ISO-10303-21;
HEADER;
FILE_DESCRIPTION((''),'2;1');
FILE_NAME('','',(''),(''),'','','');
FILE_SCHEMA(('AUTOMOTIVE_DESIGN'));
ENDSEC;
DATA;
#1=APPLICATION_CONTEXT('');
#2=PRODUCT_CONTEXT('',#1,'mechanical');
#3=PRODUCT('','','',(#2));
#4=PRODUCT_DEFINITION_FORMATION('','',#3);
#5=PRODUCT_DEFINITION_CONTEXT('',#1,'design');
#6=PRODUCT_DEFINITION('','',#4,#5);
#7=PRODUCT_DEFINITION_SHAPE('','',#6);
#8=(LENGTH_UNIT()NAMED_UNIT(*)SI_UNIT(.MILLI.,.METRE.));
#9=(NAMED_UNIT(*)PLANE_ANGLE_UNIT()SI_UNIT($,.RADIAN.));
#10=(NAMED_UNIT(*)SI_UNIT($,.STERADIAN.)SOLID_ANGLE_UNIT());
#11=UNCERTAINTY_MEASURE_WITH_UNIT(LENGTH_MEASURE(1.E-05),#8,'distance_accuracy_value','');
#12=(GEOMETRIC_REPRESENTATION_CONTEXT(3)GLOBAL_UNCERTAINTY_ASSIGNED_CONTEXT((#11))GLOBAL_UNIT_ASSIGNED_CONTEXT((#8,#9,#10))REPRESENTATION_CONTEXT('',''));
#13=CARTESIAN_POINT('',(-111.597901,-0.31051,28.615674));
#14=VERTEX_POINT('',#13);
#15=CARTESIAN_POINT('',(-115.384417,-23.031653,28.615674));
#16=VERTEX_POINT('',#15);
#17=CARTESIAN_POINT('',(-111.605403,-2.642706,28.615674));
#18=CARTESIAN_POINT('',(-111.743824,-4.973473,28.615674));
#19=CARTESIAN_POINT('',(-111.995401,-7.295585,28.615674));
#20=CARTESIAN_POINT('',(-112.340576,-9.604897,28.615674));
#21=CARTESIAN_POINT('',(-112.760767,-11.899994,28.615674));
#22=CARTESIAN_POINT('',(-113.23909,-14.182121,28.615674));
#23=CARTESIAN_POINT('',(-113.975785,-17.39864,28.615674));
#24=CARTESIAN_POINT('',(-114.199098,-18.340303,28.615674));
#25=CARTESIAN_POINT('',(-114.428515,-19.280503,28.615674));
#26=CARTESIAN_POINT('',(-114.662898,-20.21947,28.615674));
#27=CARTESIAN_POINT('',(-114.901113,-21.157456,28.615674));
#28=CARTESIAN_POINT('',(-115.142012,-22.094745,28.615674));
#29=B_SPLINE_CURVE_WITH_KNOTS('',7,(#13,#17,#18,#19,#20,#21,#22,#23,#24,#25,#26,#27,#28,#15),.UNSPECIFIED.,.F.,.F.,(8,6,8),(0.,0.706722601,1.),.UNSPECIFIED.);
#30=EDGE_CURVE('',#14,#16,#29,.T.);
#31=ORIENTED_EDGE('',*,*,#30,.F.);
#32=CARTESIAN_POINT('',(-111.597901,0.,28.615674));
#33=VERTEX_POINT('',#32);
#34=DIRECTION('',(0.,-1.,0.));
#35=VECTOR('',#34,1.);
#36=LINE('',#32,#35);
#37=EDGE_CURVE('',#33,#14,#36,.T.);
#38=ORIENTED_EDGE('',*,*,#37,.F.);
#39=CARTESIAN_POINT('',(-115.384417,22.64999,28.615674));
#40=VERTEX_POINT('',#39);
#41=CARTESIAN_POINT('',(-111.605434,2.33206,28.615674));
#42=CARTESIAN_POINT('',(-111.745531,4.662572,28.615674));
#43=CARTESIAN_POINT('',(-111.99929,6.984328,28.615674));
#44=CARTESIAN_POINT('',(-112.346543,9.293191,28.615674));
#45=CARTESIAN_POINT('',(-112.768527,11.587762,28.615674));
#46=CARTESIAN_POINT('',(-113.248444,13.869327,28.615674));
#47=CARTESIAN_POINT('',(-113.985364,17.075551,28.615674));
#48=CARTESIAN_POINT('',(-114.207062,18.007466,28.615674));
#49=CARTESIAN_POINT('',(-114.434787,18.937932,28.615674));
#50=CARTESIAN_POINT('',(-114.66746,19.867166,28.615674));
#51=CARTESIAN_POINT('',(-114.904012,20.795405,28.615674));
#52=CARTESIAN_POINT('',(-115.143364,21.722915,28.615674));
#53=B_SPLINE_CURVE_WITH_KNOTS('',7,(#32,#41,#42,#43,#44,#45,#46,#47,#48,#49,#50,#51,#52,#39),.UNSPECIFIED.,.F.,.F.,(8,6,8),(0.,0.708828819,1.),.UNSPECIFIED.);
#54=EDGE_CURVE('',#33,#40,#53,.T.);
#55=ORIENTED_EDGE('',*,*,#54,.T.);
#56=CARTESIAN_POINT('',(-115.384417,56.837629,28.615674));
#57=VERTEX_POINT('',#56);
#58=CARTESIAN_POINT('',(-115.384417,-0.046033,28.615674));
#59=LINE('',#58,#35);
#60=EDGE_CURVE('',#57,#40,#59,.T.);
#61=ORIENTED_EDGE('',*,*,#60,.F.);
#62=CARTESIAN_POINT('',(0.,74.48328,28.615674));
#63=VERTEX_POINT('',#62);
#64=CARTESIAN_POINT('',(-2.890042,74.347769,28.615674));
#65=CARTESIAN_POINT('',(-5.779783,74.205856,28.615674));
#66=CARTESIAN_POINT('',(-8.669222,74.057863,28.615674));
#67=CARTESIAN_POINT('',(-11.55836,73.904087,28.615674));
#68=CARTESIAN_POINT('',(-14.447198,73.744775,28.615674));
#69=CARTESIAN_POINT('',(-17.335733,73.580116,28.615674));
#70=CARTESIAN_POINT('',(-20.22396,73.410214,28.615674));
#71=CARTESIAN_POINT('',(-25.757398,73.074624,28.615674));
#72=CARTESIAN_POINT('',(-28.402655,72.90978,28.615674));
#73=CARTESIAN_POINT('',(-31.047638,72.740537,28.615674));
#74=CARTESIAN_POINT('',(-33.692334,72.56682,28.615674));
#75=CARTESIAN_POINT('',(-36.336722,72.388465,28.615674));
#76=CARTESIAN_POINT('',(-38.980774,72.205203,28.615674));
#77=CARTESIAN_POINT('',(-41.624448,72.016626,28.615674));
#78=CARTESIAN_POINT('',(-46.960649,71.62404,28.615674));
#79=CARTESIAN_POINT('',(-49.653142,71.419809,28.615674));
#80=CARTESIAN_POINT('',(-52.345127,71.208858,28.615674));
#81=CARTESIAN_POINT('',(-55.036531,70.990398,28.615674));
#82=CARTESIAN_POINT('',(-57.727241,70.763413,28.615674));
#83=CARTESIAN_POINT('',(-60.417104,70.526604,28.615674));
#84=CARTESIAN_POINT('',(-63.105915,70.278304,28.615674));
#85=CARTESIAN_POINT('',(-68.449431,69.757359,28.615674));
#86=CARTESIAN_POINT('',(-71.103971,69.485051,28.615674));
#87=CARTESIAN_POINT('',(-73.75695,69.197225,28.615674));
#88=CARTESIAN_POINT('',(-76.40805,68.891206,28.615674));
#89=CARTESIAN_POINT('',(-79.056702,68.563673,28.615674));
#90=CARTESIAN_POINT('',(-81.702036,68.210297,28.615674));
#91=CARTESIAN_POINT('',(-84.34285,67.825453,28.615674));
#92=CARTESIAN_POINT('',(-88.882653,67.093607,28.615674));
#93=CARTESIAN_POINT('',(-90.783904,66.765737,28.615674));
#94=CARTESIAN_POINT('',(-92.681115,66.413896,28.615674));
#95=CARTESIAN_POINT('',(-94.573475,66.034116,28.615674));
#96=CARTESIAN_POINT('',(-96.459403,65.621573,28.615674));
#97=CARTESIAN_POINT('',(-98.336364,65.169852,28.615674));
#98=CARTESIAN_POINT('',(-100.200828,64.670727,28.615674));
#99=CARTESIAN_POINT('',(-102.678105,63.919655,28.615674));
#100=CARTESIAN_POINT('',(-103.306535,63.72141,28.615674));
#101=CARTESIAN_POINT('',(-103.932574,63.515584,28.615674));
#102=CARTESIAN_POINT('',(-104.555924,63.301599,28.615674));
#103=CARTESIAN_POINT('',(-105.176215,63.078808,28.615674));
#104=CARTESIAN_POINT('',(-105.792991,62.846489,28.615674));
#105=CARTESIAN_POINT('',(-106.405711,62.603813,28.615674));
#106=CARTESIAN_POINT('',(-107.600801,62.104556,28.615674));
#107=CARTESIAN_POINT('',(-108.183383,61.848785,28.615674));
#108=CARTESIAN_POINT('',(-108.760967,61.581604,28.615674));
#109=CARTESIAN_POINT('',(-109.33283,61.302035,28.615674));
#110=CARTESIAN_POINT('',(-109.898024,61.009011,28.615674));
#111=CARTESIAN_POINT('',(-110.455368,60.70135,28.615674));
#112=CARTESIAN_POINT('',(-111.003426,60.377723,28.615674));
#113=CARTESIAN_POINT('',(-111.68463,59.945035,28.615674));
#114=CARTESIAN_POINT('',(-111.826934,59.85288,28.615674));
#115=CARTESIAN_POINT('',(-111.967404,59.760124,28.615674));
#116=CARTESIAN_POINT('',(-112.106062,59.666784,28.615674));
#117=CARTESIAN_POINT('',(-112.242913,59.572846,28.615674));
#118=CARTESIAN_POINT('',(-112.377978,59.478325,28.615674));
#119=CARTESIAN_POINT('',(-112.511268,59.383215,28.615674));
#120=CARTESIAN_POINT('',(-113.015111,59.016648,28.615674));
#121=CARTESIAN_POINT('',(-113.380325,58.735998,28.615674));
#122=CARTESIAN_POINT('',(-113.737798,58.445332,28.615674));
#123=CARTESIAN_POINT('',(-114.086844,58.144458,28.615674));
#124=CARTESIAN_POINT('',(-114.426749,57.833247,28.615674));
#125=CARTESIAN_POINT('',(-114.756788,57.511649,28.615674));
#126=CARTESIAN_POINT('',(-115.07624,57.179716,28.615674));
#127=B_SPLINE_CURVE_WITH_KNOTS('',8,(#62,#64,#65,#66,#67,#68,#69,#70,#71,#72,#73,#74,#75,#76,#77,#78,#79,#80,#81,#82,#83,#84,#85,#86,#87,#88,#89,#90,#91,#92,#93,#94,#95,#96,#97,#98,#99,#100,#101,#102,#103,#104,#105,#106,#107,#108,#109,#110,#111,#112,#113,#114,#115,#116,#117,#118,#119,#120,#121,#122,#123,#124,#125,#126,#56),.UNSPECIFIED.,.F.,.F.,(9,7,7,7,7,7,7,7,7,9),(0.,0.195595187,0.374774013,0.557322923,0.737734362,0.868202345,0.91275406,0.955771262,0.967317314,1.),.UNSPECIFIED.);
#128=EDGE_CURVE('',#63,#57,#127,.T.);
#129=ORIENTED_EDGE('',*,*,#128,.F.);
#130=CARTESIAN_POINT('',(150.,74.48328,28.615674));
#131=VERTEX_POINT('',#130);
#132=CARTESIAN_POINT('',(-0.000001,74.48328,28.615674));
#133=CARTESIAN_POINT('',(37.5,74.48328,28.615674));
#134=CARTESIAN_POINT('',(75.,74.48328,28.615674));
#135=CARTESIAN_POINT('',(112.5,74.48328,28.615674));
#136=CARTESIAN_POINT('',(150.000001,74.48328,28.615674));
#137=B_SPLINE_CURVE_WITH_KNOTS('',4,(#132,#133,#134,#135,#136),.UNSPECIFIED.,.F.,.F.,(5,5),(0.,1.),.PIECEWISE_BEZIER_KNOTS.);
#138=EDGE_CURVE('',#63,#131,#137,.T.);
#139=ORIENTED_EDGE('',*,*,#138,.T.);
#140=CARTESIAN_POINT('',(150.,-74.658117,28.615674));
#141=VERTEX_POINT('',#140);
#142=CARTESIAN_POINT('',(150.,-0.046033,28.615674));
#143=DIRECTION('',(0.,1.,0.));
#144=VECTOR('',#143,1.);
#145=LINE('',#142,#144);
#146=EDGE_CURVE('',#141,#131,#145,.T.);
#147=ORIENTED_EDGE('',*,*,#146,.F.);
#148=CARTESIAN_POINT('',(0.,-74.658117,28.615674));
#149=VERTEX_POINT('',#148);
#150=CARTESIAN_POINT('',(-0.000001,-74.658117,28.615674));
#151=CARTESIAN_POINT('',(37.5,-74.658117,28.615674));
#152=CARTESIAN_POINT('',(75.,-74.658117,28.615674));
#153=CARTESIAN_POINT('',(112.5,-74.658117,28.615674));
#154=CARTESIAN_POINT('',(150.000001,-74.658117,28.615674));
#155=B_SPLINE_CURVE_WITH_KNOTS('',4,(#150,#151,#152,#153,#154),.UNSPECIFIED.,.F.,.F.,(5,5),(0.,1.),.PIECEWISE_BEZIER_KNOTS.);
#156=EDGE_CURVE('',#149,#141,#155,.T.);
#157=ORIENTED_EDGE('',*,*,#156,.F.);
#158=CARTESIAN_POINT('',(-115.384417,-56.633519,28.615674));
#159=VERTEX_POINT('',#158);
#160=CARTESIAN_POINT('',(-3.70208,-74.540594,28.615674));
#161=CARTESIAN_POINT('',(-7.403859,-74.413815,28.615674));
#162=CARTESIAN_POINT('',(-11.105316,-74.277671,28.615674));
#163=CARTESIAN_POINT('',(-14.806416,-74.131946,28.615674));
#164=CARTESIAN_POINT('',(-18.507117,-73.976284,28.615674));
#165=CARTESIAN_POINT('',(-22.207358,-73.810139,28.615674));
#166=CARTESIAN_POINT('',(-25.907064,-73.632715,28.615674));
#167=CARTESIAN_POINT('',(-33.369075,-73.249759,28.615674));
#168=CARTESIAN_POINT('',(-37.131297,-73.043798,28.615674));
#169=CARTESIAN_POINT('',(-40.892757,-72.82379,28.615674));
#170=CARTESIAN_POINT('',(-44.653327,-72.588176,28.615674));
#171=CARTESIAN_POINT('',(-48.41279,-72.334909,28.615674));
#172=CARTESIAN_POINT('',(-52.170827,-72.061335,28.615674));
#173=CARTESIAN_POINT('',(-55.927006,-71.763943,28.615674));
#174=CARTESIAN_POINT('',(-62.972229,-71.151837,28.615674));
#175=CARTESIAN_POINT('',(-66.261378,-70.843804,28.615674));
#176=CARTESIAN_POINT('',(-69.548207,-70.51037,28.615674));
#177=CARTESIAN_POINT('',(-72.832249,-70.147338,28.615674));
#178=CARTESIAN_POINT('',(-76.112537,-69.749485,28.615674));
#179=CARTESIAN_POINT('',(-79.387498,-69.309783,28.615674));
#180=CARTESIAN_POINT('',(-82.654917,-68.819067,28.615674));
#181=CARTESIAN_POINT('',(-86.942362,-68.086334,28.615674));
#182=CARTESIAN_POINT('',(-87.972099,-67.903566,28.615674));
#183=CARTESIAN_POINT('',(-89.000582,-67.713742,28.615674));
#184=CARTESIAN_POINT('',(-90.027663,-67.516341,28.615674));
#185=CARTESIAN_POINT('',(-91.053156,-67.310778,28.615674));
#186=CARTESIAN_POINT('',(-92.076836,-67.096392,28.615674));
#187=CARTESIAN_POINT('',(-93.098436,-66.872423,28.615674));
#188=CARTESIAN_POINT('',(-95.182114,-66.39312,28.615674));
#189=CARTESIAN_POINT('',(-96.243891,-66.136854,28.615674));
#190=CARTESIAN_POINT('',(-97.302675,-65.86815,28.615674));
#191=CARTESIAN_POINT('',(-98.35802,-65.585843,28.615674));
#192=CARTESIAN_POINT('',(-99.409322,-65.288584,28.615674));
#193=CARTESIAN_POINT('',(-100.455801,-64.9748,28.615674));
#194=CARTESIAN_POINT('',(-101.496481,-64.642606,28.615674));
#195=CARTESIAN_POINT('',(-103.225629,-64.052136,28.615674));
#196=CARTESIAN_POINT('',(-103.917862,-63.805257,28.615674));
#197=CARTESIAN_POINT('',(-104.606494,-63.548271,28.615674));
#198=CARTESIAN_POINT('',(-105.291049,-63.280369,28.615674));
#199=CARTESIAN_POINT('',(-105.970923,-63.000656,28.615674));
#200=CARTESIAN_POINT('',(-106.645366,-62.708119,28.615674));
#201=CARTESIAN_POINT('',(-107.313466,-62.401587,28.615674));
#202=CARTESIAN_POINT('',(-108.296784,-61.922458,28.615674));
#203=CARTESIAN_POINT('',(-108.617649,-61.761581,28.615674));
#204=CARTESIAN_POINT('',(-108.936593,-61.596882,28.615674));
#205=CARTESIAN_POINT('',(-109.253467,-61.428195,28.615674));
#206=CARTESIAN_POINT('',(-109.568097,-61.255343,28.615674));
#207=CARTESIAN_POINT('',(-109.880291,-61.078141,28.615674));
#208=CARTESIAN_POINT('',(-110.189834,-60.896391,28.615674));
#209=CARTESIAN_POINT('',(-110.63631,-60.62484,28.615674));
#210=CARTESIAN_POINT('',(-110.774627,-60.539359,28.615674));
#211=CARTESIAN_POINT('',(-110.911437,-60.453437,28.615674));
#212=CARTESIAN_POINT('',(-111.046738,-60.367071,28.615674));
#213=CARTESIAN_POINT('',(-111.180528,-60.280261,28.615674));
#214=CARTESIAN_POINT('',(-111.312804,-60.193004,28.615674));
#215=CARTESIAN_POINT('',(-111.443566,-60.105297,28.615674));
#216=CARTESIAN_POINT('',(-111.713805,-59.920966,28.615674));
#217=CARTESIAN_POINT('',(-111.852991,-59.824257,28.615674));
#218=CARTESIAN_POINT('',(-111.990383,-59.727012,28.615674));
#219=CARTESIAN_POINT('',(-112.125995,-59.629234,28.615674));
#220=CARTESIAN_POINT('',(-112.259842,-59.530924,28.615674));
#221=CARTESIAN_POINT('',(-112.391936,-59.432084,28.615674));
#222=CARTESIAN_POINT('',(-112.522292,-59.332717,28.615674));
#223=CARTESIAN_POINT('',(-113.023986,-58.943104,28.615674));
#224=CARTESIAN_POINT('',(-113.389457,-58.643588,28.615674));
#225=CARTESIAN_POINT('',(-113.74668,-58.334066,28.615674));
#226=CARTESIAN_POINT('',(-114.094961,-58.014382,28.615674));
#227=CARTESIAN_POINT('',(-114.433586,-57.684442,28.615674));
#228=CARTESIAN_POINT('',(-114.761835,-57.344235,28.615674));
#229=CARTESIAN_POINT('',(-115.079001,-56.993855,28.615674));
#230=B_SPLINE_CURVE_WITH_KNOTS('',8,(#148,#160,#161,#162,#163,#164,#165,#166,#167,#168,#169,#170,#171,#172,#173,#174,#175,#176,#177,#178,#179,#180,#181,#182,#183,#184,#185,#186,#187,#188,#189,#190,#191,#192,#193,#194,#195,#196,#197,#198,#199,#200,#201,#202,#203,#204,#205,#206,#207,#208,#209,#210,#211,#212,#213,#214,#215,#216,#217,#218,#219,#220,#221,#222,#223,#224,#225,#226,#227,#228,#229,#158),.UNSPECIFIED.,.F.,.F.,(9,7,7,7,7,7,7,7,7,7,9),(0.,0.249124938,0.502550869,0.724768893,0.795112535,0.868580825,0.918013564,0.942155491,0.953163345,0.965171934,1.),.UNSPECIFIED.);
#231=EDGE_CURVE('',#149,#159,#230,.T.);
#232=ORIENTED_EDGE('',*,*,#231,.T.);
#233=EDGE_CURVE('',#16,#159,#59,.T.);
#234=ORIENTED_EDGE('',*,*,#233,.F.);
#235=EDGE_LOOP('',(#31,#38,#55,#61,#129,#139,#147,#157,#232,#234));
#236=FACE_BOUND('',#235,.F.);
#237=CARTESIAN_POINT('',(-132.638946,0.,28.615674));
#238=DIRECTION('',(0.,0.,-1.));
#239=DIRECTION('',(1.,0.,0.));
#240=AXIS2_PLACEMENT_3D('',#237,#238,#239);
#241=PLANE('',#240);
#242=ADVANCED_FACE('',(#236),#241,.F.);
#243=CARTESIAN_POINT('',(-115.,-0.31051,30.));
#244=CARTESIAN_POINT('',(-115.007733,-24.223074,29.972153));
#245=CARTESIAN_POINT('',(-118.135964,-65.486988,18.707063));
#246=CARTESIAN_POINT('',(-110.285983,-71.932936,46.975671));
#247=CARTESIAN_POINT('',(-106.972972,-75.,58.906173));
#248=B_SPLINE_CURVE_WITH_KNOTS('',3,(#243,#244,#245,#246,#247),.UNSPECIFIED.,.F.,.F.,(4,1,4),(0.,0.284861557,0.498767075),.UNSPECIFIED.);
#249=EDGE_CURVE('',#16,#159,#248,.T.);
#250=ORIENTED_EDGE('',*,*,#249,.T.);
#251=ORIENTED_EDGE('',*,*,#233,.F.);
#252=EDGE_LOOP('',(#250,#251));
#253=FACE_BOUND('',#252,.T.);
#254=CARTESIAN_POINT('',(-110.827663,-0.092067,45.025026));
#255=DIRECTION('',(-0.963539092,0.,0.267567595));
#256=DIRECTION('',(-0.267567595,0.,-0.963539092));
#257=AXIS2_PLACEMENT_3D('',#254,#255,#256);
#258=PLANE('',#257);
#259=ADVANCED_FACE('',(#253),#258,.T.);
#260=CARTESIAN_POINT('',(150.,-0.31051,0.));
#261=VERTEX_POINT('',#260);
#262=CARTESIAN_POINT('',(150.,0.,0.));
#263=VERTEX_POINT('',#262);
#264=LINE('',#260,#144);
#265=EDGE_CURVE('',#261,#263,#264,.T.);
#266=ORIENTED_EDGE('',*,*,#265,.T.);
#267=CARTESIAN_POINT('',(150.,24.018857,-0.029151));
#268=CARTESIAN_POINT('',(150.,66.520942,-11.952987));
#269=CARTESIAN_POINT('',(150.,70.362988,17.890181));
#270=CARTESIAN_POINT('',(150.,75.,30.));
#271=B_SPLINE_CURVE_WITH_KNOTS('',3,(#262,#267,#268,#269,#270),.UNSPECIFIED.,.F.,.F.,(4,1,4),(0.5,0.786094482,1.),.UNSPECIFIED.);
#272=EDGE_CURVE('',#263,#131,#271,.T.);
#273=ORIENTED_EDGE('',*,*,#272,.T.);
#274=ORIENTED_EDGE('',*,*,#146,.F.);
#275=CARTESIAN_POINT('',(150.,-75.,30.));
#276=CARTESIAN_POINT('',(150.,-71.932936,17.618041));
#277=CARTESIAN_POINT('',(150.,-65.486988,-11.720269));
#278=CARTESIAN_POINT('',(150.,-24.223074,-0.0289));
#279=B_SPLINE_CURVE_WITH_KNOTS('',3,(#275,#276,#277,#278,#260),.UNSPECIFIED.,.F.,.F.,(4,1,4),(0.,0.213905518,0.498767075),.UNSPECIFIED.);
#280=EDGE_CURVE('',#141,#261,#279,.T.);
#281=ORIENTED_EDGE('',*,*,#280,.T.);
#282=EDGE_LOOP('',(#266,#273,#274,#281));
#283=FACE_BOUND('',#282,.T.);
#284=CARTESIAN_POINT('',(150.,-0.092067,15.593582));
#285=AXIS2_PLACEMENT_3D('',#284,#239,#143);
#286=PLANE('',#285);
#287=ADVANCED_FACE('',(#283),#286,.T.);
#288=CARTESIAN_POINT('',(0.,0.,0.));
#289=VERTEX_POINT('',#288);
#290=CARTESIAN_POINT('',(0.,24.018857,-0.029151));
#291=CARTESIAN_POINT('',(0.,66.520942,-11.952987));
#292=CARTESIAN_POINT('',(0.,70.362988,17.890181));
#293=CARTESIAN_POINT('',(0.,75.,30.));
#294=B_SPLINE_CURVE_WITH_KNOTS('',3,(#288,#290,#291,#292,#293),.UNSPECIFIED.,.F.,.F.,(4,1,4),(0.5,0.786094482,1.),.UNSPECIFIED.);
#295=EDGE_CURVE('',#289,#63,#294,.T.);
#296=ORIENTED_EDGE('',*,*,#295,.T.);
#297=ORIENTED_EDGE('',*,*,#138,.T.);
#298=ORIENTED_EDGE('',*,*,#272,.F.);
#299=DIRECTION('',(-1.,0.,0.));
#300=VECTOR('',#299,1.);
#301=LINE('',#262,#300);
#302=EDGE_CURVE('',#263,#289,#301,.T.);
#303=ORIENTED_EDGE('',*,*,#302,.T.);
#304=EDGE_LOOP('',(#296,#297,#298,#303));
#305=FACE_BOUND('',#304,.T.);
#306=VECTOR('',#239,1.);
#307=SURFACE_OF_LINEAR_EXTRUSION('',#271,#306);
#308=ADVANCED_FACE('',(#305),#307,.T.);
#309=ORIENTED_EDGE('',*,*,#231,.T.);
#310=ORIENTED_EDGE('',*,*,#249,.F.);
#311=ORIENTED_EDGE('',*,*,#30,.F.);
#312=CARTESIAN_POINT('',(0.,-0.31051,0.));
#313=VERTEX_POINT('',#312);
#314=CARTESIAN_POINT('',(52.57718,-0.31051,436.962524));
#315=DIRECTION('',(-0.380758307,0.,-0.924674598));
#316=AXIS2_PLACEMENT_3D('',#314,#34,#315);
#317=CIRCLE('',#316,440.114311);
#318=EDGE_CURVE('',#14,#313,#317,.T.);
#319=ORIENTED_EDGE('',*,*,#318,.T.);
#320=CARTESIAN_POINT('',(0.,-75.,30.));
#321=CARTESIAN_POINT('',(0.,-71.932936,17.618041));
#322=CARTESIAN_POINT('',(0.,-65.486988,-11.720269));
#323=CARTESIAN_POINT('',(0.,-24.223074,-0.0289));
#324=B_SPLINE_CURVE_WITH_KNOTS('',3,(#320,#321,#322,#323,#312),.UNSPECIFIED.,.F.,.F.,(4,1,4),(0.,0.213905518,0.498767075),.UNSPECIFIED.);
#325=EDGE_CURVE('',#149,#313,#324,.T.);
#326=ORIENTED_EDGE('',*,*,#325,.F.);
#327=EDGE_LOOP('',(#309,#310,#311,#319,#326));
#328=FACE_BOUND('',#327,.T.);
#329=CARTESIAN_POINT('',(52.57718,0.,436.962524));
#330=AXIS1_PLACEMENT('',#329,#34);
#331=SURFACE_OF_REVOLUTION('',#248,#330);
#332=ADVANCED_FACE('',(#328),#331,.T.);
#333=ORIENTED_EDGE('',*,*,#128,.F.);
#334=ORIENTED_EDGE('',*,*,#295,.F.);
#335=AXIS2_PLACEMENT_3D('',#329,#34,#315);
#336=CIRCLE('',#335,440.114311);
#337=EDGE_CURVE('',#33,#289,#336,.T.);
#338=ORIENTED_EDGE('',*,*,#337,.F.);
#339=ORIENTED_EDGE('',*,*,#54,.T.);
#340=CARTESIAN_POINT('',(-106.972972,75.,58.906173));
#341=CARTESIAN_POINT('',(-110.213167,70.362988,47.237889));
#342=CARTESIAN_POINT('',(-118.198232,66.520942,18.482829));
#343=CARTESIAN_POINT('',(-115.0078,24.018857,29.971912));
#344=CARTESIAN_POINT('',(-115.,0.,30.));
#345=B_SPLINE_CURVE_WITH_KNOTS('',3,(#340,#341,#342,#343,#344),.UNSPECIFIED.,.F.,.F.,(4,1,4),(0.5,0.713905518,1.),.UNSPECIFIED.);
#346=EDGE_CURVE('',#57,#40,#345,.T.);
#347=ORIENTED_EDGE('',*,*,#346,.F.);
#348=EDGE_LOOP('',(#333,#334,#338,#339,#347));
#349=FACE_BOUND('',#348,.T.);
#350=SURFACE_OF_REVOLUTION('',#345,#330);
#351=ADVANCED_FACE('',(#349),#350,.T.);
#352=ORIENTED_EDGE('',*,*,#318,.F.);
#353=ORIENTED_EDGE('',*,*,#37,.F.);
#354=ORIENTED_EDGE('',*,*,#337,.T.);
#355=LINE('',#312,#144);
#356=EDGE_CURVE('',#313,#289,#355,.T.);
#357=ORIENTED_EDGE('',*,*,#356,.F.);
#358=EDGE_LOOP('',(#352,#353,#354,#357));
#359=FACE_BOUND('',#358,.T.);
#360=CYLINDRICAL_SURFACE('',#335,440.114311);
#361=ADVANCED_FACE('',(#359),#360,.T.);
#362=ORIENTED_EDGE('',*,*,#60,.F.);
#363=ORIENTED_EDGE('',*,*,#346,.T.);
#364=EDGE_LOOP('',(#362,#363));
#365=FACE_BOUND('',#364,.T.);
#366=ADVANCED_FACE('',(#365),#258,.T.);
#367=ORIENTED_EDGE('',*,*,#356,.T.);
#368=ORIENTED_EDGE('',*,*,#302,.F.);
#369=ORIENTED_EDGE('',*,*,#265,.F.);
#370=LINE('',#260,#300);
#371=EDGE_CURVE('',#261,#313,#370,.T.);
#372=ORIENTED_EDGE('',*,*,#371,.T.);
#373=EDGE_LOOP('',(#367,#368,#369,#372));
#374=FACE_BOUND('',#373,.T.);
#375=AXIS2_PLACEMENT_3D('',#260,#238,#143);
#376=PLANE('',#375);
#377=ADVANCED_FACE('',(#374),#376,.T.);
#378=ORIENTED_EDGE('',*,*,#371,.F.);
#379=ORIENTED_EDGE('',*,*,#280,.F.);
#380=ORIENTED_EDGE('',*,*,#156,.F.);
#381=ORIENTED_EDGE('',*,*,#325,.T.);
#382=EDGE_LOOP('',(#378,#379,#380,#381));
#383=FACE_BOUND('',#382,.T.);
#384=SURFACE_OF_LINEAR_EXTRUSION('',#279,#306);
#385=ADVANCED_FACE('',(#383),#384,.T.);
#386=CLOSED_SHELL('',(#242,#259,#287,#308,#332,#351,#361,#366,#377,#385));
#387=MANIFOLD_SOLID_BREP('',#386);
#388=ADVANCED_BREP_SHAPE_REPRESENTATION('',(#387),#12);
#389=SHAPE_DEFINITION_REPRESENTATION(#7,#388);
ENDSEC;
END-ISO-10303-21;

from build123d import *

# Parameters (mm, degrees)
F3_DEPTH = 150
F5_W     = 287.4648571014
F5_H     = 39.5074803382
F6_DEPTH = 100


with BuildPart() as f3:
    # F2 (on offset) → F3 (new body)
    with BuildSketch(Plane.YZ.offset(150)):
        with BuildLine():
            Line((75, 30), (-75, 30))
            add(Edge.make_bspline(
                [(-75, 30), (-71.9329359938, 17.6180406035), (-65.4869883967, -11.7202689141), (-24.2230739874, -0.0289004303), (-0.310510428, 0)],
                knots=[0, 0, 0, 0, 0.2139055177, 0.4987670748, 0.4987670748, 0.4987670748, 0.4987670748], degree=3))
            Line((-0.310510428, 0), (0, 0))
            add(Edge.make_bspline(
                [(0, 0), (24.0188569043, -0.0291511428), (66.5209416521, -11.9529873249), (70.3629883157, 17.8901810125), (75, 30)],
                knots=[0.5, 0.5, 0.5, 0.5, 0.7860944823, 1, 1, 1, 1], degree=3))
        make_face()
    extrude(amount=-F3_DEPTH)

    # F4: sweep along a path in F0
    with BuildLine(Plane.XZ) as f4_path:
        ThreePointArc((-115, 30), (-58.5173093171, 11.1003142846), (0, 0))
    # F3_face (on face) → F4 (sweep)
    with BuildSketch(Plane(origin=(0, -0.2555367718, 14.7206073646), x_dir=(0, 1, 0), z_dir=(-1, 0, 0))):
        with BuildLine():
            add(Edge.make_bspline(
                [(0.2555367718, 14.7206073646), (24.274393676, 14.7497585074), (66.7764784238, 26.6735946895), (70.6185250874, -3.1695736479), (75.2555367718, -15.2793926354)],
                knots=[0.5, 0.5, 0.5, 0.5, 0.7860944823, 1, 1, 1, 1], degree=3))
            Line((0.2555367718, 14.7206073646), (-0.0549736563, 14.7206073646))
            add(Edge.make_bspline(
                [(-74.7444632282, -15.2793926354), (-71.677399222, -2.8974332389), (-65.231451625, 26.4408762787), (-23.9675372157, 14.7495077949), (-0.0549736563, 14.7206073646)],
                knots=[0, 0, 0, 0, 0.2139055177, 0.4987670748, 0.4987670748, 0.4987670748, 0.4987670748], degree=3))
            Line((-74.7444632282, -15.2793926354), (75.2555367718, -15.2793926354))
        make_face()
    sweep(path=f4_path.line)

    # F5 (on Front) → F6 (cut, symmetric)
    with BuildSketch(Plane.XZ):
        with Locations((11.0934823751, 48.3694141731)):
            Rectangle(F5_W, F5_H)
    extrude(amount=F6_DEPTH, both=True, mode=Mode.SUBTRACT)


solid = f3.part
